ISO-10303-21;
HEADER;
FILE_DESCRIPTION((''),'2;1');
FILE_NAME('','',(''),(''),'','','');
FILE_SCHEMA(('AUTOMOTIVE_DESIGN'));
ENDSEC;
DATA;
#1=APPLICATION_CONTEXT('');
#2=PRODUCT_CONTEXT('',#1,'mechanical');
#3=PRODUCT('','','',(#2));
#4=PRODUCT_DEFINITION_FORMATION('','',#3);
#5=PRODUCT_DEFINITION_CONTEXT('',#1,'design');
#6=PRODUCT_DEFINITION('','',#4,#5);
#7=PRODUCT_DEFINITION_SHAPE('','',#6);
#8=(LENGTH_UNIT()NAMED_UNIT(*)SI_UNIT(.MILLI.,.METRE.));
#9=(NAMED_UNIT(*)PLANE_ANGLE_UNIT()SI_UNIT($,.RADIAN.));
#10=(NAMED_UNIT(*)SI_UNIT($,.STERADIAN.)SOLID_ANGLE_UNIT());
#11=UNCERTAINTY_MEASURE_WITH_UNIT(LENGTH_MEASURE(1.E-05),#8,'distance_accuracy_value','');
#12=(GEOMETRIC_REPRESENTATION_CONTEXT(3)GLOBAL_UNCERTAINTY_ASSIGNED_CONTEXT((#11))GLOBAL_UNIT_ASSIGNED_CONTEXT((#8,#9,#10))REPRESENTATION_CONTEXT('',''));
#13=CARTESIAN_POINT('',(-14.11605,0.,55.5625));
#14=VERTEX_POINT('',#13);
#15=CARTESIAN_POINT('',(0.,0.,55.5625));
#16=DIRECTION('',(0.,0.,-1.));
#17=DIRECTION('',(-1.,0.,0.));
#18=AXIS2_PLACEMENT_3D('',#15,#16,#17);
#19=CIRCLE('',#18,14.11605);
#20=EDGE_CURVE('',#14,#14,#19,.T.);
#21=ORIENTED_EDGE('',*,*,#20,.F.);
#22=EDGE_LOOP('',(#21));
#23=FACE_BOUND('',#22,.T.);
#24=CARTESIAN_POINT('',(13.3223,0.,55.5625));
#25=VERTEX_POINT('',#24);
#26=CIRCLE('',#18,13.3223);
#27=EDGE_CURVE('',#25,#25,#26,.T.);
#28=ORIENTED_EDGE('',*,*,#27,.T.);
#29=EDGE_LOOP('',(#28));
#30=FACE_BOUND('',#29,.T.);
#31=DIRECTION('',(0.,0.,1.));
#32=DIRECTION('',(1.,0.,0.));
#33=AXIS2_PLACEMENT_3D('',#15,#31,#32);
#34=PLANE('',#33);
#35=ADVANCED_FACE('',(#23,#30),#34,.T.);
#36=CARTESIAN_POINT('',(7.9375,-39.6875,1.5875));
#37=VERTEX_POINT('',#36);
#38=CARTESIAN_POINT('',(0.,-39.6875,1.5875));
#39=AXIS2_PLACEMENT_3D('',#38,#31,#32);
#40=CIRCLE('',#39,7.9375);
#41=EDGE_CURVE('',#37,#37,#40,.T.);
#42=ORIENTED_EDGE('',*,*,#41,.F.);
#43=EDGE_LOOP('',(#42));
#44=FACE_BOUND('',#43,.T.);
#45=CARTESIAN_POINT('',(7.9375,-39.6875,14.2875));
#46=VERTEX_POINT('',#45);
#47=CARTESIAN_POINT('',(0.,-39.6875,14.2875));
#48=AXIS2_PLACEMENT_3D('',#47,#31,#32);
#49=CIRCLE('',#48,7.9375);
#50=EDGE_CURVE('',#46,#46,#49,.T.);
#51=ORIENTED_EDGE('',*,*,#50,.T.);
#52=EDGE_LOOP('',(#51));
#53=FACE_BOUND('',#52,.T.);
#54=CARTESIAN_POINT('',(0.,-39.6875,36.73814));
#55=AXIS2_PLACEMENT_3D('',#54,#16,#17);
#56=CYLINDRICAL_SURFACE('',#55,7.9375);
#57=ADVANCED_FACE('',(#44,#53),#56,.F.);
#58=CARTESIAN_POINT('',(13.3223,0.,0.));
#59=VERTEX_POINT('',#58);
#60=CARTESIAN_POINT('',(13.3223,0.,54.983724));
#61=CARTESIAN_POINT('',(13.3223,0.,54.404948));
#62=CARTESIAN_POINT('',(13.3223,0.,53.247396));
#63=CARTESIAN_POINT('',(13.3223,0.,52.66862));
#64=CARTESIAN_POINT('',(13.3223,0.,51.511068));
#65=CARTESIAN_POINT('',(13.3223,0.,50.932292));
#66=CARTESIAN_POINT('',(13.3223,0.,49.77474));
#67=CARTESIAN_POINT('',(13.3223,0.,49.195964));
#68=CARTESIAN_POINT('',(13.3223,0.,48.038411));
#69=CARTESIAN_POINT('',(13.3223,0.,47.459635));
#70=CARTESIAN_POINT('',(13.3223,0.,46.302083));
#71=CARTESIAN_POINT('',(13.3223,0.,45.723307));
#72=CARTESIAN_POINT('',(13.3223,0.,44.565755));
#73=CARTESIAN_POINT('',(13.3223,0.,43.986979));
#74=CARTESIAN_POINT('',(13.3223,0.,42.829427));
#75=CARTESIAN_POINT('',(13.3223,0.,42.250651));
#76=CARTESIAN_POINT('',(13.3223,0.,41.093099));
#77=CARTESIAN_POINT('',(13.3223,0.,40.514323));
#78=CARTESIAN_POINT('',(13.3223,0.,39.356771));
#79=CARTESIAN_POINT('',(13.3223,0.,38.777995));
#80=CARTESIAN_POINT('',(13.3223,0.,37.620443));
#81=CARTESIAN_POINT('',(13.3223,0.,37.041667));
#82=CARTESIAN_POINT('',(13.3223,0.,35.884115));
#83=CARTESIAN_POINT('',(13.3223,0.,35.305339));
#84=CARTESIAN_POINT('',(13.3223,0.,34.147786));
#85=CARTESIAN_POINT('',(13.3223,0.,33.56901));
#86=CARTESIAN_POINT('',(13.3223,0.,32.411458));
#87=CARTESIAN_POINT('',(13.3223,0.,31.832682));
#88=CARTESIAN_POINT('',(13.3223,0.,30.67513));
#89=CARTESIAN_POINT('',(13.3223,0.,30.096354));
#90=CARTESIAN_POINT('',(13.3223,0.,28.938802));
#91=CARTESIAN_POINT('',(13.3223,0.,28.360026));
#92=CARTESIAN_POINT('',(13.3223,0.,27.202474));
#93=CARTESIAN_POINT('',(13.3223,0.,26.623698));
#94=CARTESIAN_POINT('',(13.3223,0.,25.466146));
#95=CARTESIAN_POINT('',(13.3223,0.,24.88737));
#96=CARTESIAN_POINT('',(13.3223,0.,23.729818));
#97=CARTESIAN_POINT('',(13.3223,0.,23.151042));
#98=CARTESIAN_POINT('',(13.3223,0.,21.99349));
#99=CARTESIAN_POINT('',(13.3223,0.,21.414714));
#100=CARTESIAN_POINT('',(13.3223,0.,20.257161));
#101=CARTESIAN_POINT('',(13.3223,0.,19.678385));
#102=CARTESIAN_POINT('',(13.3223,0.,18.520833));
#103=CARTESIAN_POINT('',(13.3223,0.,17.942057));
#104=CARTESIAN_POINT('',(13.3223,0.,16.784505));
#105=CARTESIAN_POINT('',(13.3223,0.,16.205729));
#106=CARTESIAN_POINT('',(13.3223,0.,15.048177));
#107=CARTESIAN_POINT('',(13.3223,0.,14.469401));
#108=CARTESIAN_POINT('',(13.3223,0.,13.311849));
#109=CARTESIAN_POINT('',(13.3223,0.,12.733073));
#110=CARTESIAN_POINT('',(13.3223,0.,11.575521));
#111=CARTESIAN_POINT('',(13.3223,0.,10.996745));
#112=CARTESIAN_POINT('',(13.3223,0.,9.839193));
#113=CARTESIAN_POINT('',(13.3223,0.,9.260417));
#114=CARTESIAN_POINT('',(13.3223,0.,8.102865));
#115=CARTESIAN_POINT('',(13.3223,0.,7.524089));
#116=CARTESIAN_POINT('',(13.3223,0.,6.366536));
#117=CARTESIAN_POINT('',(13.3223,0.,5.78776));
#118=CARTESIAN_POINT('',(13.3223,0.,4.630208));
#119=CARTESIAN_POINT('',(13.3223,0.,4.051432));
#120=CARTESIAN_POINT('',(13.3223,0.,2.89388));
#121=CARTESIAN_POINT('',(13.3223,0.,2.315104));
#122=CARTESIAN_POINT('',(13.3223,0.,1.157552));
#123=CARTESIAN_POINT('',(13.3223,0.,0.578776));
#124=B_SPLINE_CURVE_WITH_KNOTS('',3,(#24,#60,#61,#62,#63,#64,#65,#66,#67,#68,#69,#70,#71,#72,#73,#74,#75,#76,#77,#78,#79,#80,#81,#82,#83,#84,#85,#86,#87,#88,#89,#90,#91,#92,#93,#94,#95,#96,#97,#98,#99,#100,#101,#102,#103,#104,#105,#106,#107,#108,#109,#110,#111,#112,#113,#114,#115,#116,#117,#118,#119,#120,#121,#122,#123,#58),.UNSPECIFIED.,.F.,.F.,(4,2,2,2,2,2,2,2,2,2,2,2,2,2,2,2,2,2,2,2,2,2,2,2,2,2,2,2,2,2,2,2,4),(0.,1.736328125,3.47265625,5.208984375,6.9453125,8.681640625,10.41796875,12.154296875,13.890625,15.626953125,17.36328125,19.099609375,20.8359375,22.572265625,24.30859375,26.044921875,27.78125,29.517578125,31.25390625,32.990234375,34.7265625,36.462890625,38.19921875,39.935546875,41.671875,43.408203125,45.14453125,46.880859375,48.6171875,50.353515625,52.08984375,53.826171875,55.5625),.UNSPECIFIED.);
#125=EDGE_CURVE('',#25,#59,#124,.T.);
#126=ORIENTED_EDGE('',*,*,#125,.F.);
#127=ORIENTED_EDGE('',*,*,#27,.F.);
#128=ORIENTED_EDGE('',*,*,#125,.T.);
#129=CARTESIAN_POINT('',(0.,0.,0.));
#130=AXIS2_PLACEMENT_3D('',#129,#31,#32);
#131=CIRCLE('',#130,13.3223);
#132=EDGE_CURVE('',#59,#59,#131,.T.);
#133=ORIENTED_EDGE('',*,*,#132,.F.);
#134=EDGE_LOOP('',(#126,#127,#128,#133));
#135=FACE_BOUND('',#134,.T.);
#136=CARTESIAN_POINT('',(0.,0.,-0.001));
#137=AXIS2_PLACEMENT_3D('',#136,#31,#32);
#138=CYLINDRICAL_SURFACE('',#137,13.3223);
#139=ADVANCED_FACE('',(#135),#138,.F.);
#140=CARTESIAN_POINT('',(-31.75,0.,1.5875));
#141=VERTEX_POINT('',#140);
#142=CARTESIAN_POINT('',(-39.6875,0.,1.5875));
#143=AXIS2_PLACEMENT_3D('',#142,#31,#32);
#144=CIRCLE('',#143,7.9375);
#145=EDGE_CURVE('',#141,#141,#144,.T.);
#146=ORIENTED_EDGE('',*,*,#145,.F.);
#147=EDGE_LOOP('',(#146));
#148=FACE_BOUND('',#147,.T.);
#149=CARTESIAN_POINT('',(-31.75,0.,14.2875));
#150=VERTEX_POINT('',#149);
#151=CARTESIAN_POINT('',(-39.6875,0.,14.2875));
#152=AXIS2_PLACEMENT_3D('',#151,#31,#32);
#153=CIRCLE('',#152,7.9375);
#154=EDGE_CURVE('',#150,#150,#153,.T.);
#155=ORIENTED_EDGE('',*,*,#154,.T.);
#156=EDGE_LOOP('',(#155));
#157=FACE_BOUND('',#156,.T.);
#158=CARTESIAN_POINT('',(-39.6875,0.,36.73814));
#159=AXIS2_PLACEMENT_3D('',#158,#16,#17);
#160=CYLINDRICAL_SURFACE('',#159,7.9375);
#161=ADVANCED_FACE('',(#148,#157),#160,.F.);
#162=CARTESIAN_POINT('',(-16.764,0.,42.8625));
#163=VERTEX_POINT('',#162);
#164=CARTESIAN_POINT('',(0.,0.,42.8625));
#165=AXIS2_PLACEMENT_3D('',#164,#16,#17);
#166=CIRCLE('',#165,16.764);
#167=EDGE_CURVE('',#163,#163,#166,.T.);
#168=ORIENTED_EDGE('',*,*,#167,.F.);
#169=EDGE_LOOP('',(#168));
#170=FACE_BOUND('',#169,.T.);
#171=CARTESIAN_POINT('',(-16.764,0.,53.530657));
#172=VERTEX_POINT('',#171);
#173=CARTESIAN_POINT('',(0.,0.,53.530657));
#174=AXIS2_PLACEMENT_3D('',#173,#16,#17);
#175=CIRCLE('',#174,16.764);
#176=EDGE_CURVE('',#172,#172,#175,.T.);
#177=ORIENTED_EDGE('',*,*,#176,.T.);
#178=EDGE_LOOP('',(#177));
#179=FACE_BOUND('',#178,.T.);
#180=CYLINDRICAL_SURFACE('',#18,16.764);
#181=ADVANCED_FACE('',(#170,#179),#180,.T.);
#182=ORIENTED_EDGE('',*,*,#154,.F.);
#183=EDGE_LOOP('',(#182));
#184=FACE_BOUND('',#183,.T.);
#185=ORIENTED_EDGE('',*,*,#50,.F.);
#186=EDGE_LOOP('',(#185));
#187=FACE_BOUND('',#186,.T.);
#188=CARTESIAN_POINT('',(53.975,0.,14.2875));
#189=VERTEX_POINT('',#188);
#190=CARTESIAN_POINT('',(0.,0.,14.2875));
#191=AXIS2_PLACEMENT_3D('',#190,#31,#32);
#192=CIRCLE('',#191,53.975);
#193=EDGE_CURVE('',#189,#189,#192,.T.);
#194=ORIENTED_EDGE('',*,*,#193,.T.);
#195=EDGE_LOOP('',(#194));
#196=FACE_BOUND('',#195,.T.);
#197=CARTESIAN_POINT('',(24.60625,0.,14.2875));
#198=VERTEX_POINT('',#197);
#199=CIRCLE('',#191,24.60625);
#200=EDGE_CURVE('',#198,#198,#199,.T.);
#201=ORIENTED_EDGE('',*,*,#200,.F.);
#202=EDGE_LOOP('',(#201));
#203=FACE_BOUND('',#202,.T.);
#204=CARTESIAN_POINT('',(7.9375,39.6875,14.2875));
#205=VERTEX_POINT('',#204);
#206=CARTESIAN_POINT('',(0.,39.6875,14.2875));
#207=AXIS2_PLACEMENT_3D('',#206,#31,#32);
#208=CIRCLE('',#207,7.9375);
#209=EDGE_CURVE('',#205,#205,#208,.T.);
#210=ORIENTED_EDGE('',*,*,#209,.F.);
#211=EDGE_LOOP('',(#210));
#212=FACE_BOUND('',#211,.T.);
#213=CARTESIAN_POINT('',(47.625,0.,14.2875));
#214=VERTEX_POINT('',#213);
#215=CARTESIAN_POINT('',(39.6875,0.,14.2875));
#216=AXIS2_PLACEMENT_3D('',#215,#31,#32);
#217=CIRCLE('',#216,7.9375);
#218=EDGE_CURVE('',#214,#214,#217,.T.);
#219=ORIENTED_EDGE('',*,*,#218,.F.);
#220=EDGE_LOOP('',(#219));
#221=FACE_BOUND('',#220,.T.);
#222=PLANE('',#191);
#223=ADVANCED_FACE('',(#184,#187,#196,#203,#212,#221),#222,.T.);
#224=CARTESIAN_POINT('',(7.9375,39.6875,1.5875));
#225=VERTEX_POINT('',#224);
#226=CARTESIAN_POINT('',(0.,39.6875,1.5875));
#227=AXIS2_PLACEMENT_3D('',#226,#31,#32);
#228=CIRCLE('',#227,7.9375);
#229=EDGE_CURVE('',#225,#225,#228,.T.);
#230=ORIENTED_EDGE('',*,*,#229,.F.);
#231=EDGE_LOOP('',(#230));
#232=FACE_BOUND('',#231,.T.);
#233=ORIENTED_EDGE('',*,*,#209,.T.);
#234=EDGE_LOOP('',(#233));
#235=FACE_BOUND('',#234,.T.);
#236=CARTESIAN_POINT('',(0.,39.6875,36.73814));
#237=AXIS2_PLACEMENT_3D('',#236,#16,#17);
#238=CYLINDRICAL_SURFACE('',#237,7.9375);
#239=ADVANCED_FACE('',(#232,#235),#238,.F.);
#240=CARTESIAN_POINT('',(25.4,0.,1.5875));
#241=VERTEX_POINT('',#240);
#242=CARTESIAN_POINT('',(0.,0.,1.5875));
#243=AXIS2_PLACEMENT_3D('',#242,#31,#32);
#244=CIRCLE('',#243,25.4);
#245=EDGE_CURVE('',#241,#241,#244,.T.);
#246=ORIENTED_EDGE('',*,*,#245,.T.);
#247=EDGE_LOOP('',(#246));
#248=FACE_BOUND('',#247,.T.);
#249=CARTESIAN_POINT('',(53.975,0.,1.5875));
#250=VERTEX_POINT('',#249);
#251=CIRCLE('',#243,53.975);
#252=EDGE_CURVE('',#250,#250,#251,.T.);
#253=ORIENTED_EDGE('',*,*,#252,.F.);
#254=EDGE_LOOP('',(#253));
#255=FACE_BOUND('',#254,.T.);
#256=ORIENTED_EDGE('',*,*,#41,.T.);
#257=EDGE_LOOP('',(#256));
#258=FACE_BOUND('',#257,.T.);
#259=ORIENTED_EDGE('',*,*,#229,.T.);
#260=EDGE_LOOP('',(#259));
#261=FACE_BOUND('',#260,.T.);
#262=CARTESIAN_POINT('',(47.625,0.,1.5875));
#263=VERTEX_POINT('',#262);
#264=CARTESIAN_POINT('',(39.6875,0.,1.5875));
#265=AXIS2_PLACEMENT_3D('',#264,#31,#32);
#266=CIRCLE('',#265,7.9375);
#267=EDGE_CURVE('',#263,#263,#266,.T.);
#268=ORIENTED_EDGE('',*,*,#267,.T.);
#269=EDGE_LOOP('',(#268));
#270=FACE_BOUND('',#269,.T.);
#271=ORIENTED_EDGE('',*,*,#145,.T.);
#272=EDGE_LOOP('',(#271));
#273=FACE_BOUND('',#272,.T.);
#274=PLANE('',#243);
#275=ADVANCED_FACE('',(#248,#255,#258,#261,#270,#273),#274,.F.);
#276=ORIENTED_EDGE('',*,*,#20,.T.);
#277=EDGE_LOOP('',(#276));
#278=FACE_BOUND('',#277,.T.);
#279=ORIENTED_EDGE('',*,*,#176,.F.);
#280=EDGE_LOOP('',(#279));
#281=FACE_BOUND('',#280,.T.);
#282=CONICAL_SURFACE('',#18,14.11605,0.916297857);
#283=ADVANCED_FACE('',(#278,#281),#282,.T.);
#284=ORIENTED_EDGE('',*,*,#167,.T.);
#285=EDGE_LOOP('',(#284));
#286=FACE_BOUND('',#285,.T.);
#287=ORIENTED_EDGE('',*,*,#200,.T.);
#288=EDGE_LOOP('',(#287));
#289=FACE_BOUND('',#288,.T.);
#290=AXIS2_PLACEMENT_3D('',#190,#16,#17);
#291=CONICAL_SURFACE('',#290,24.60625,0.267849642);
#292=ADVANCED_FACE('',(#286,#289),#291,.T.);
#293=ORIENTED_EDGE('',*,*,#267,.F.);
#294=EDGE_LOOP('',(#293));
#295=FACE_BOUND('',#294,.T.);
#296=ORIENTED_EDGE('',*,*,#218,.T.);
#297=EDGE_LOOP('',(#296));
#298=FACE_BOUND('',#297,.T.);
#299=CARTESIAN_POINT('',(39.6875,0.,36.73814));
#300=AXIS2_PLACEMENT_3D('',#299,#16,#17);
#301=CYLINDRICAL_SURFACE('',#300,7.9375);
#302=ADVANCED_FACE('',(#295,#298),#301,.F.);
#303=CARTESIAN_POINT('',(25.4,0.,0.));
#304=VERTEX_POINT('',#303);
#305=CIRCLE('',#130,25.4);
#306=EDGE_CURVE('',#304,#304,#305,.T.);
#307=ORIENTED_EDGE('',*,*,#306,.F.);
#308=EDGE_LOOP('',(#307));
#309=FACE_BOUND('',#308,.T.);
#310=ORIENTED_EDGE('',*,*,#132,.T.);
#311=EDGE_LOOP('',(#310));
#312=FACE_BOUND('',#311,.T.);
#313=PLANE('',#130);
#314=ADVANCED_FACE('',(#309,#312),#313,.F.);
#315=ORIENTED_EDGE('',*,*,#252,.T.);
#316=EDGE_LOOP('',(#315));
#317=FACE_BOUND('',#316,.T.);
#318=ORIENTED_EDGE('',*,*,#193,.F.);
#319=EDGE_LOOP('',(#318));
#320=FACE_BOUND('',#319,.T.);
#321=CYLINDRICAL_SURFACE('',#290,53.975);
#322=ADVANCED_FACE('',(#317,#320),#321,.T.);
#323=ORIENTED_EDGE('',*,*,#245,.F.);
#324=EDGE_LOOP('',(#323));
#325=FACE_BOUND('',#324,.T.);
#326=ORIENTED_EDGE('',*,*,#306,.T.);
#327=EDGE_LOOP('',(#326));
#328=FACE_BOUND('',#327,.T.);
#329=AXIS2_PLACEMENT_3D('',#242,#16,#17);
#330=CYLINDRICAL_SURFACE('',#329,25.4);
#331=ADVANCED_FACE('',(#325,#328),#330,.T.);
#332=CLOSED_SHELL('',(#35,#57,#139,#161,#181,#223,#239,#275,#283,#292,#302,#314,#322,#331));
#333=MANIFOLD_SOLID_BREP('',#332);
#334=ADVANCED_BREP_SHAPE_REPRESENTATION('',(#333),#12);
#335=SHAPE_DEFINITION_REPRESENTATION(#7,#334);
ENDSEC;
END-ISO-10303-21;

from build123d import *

# Parameters (mm, degrees)
SKETCH1_R         = 25.4
EXTRUDE1_DEPTH    = 1.5875
EXTRUDE2_START    = 1.5875
SKETCH1_3_R       = 53.975
EXTRUDE2_DEPTH    = 12.7
EXTRUDE3_START    = 14.2875
SKETCH1_4_R       = 16.764
EXTRUDE3_DEPTH    = 41.275
EXTRUDE4_START    = 1.5875
SKETCH1_5_R       = 7.9375
EXTRUDE4_DEPTH    = 12.7
CIRPATTERN1_COUNT = 4
EXTRUDE5_REACH    = 96.413
SKETCH3_R         = 13.3223


with BuildPart() as part:
    # Sketch1 → Extrude1 (new body)
    with BuildSketch(Plane.XY):
        Circle(SKETCH1_R)
    extrude(amount=EXTRUDE1_DEPTH)

    # Sketch1<3> → Extrude2 (add)
    with BuildSketch(Plane.XY.offset(EXTRUDE2_START)):
        Circle(SKETCH1_3_R)
    extrude(amount=EXTRUDE2_DEPTH)

    # Sketch1<4> → Extrude3 (add)
    with BuildSketch(Plane.XY.offset(EXTRUDE3_START)):
        Circle(SKETCH1_4_R)
    extrude(amount=EXTRUDE3_DEPTH)

    # Sketch4 → Revolve1 (revolve)
    with BuildSketch(Plane(origin=(0, 0, 0), x_dir=(0, 0, -1), z_dir=(1, 0, 0)), mode=Mode.PRIVATE) as revolve1_sk:
        Polygon((-42.8625, 16.764), (-14.2875, 24.60625), (-14.2875, 16.764), align=None)
    revolve(revolve1_sk.sketch.rotate(Axis((0, 0, -2.619375), (0, 0, 1)), 90), axis=Axis((0, 0, -2.619375), (0, 0, 1)))

    # Sketch1<5> → Extrude4 (cut)
    with BuildSketch(Plane.XY.offset(EXTRUDE4_START)):
        with Locations((0, 39.6875)):
            Circle(SKETCH1_5_R)
    extrude4 = extrude(amount=EXTRUDE4_DEPTH, mode=Mode.SUBTRACT)

    # CirPattern1: Extrude4 ×4 about axis
    cirpattern1_axis = Axis((0, 0, 0), (0, 0, 1))
    for i in range(1, CIRPATTERN1_COUNT):
        add(extrude4.rotate(cirpattern1_axis, i * 360 / CIRPATTERN1_COUNT), mode=Mode.SUBTRACT)

    # Sketch3 → Extrude5 (cut, up to next)
    with BuildSketch(Plane(origin=(0, 0, 55.5625), x_dir=(-1, 0, 0), z_dir=(0, 0, -1)), mode=Mode.PRIVATE) as extrude5_sk1:
        with Locations(Location((0, 0, 0), (0, 0, 180))):
            Circle(SKETCH3_R)
    extrude5_tool1 = extrude(extrude5_sk1.sketch, amount=EXTRUDE5_REACH, mode=Mode.PRIVATE) & part.part
    add(extrude5_tool1.solids().sort_by_distance((0, 0, 55.5625))[0], mode=Mode.SUBTRACT)

    # Sketch5 → Cut-Revolve1 (revolve, cut)
    with BuildSketch(Plane(origin=(0, 0, 0), x_dir=(0, 0, -1), z_dir=(1, 0, 0)), mode=Mode.PRIVATE) as cut_revolve1_sk:
        Polygon((-55.5625, 16.764), (-53.530656502, 16.764), (-55.5625, 14.11605), align=None)
    revolve(cut_revolve1_sk.sketch.rotate(Axis((0, 0, -2.619375), (0, 0, 1)), 90), axis=Axis((0, 0, -2.619375), (0, 0, 1)), mode=Mode.SUBTRACT)


solid = part.part
